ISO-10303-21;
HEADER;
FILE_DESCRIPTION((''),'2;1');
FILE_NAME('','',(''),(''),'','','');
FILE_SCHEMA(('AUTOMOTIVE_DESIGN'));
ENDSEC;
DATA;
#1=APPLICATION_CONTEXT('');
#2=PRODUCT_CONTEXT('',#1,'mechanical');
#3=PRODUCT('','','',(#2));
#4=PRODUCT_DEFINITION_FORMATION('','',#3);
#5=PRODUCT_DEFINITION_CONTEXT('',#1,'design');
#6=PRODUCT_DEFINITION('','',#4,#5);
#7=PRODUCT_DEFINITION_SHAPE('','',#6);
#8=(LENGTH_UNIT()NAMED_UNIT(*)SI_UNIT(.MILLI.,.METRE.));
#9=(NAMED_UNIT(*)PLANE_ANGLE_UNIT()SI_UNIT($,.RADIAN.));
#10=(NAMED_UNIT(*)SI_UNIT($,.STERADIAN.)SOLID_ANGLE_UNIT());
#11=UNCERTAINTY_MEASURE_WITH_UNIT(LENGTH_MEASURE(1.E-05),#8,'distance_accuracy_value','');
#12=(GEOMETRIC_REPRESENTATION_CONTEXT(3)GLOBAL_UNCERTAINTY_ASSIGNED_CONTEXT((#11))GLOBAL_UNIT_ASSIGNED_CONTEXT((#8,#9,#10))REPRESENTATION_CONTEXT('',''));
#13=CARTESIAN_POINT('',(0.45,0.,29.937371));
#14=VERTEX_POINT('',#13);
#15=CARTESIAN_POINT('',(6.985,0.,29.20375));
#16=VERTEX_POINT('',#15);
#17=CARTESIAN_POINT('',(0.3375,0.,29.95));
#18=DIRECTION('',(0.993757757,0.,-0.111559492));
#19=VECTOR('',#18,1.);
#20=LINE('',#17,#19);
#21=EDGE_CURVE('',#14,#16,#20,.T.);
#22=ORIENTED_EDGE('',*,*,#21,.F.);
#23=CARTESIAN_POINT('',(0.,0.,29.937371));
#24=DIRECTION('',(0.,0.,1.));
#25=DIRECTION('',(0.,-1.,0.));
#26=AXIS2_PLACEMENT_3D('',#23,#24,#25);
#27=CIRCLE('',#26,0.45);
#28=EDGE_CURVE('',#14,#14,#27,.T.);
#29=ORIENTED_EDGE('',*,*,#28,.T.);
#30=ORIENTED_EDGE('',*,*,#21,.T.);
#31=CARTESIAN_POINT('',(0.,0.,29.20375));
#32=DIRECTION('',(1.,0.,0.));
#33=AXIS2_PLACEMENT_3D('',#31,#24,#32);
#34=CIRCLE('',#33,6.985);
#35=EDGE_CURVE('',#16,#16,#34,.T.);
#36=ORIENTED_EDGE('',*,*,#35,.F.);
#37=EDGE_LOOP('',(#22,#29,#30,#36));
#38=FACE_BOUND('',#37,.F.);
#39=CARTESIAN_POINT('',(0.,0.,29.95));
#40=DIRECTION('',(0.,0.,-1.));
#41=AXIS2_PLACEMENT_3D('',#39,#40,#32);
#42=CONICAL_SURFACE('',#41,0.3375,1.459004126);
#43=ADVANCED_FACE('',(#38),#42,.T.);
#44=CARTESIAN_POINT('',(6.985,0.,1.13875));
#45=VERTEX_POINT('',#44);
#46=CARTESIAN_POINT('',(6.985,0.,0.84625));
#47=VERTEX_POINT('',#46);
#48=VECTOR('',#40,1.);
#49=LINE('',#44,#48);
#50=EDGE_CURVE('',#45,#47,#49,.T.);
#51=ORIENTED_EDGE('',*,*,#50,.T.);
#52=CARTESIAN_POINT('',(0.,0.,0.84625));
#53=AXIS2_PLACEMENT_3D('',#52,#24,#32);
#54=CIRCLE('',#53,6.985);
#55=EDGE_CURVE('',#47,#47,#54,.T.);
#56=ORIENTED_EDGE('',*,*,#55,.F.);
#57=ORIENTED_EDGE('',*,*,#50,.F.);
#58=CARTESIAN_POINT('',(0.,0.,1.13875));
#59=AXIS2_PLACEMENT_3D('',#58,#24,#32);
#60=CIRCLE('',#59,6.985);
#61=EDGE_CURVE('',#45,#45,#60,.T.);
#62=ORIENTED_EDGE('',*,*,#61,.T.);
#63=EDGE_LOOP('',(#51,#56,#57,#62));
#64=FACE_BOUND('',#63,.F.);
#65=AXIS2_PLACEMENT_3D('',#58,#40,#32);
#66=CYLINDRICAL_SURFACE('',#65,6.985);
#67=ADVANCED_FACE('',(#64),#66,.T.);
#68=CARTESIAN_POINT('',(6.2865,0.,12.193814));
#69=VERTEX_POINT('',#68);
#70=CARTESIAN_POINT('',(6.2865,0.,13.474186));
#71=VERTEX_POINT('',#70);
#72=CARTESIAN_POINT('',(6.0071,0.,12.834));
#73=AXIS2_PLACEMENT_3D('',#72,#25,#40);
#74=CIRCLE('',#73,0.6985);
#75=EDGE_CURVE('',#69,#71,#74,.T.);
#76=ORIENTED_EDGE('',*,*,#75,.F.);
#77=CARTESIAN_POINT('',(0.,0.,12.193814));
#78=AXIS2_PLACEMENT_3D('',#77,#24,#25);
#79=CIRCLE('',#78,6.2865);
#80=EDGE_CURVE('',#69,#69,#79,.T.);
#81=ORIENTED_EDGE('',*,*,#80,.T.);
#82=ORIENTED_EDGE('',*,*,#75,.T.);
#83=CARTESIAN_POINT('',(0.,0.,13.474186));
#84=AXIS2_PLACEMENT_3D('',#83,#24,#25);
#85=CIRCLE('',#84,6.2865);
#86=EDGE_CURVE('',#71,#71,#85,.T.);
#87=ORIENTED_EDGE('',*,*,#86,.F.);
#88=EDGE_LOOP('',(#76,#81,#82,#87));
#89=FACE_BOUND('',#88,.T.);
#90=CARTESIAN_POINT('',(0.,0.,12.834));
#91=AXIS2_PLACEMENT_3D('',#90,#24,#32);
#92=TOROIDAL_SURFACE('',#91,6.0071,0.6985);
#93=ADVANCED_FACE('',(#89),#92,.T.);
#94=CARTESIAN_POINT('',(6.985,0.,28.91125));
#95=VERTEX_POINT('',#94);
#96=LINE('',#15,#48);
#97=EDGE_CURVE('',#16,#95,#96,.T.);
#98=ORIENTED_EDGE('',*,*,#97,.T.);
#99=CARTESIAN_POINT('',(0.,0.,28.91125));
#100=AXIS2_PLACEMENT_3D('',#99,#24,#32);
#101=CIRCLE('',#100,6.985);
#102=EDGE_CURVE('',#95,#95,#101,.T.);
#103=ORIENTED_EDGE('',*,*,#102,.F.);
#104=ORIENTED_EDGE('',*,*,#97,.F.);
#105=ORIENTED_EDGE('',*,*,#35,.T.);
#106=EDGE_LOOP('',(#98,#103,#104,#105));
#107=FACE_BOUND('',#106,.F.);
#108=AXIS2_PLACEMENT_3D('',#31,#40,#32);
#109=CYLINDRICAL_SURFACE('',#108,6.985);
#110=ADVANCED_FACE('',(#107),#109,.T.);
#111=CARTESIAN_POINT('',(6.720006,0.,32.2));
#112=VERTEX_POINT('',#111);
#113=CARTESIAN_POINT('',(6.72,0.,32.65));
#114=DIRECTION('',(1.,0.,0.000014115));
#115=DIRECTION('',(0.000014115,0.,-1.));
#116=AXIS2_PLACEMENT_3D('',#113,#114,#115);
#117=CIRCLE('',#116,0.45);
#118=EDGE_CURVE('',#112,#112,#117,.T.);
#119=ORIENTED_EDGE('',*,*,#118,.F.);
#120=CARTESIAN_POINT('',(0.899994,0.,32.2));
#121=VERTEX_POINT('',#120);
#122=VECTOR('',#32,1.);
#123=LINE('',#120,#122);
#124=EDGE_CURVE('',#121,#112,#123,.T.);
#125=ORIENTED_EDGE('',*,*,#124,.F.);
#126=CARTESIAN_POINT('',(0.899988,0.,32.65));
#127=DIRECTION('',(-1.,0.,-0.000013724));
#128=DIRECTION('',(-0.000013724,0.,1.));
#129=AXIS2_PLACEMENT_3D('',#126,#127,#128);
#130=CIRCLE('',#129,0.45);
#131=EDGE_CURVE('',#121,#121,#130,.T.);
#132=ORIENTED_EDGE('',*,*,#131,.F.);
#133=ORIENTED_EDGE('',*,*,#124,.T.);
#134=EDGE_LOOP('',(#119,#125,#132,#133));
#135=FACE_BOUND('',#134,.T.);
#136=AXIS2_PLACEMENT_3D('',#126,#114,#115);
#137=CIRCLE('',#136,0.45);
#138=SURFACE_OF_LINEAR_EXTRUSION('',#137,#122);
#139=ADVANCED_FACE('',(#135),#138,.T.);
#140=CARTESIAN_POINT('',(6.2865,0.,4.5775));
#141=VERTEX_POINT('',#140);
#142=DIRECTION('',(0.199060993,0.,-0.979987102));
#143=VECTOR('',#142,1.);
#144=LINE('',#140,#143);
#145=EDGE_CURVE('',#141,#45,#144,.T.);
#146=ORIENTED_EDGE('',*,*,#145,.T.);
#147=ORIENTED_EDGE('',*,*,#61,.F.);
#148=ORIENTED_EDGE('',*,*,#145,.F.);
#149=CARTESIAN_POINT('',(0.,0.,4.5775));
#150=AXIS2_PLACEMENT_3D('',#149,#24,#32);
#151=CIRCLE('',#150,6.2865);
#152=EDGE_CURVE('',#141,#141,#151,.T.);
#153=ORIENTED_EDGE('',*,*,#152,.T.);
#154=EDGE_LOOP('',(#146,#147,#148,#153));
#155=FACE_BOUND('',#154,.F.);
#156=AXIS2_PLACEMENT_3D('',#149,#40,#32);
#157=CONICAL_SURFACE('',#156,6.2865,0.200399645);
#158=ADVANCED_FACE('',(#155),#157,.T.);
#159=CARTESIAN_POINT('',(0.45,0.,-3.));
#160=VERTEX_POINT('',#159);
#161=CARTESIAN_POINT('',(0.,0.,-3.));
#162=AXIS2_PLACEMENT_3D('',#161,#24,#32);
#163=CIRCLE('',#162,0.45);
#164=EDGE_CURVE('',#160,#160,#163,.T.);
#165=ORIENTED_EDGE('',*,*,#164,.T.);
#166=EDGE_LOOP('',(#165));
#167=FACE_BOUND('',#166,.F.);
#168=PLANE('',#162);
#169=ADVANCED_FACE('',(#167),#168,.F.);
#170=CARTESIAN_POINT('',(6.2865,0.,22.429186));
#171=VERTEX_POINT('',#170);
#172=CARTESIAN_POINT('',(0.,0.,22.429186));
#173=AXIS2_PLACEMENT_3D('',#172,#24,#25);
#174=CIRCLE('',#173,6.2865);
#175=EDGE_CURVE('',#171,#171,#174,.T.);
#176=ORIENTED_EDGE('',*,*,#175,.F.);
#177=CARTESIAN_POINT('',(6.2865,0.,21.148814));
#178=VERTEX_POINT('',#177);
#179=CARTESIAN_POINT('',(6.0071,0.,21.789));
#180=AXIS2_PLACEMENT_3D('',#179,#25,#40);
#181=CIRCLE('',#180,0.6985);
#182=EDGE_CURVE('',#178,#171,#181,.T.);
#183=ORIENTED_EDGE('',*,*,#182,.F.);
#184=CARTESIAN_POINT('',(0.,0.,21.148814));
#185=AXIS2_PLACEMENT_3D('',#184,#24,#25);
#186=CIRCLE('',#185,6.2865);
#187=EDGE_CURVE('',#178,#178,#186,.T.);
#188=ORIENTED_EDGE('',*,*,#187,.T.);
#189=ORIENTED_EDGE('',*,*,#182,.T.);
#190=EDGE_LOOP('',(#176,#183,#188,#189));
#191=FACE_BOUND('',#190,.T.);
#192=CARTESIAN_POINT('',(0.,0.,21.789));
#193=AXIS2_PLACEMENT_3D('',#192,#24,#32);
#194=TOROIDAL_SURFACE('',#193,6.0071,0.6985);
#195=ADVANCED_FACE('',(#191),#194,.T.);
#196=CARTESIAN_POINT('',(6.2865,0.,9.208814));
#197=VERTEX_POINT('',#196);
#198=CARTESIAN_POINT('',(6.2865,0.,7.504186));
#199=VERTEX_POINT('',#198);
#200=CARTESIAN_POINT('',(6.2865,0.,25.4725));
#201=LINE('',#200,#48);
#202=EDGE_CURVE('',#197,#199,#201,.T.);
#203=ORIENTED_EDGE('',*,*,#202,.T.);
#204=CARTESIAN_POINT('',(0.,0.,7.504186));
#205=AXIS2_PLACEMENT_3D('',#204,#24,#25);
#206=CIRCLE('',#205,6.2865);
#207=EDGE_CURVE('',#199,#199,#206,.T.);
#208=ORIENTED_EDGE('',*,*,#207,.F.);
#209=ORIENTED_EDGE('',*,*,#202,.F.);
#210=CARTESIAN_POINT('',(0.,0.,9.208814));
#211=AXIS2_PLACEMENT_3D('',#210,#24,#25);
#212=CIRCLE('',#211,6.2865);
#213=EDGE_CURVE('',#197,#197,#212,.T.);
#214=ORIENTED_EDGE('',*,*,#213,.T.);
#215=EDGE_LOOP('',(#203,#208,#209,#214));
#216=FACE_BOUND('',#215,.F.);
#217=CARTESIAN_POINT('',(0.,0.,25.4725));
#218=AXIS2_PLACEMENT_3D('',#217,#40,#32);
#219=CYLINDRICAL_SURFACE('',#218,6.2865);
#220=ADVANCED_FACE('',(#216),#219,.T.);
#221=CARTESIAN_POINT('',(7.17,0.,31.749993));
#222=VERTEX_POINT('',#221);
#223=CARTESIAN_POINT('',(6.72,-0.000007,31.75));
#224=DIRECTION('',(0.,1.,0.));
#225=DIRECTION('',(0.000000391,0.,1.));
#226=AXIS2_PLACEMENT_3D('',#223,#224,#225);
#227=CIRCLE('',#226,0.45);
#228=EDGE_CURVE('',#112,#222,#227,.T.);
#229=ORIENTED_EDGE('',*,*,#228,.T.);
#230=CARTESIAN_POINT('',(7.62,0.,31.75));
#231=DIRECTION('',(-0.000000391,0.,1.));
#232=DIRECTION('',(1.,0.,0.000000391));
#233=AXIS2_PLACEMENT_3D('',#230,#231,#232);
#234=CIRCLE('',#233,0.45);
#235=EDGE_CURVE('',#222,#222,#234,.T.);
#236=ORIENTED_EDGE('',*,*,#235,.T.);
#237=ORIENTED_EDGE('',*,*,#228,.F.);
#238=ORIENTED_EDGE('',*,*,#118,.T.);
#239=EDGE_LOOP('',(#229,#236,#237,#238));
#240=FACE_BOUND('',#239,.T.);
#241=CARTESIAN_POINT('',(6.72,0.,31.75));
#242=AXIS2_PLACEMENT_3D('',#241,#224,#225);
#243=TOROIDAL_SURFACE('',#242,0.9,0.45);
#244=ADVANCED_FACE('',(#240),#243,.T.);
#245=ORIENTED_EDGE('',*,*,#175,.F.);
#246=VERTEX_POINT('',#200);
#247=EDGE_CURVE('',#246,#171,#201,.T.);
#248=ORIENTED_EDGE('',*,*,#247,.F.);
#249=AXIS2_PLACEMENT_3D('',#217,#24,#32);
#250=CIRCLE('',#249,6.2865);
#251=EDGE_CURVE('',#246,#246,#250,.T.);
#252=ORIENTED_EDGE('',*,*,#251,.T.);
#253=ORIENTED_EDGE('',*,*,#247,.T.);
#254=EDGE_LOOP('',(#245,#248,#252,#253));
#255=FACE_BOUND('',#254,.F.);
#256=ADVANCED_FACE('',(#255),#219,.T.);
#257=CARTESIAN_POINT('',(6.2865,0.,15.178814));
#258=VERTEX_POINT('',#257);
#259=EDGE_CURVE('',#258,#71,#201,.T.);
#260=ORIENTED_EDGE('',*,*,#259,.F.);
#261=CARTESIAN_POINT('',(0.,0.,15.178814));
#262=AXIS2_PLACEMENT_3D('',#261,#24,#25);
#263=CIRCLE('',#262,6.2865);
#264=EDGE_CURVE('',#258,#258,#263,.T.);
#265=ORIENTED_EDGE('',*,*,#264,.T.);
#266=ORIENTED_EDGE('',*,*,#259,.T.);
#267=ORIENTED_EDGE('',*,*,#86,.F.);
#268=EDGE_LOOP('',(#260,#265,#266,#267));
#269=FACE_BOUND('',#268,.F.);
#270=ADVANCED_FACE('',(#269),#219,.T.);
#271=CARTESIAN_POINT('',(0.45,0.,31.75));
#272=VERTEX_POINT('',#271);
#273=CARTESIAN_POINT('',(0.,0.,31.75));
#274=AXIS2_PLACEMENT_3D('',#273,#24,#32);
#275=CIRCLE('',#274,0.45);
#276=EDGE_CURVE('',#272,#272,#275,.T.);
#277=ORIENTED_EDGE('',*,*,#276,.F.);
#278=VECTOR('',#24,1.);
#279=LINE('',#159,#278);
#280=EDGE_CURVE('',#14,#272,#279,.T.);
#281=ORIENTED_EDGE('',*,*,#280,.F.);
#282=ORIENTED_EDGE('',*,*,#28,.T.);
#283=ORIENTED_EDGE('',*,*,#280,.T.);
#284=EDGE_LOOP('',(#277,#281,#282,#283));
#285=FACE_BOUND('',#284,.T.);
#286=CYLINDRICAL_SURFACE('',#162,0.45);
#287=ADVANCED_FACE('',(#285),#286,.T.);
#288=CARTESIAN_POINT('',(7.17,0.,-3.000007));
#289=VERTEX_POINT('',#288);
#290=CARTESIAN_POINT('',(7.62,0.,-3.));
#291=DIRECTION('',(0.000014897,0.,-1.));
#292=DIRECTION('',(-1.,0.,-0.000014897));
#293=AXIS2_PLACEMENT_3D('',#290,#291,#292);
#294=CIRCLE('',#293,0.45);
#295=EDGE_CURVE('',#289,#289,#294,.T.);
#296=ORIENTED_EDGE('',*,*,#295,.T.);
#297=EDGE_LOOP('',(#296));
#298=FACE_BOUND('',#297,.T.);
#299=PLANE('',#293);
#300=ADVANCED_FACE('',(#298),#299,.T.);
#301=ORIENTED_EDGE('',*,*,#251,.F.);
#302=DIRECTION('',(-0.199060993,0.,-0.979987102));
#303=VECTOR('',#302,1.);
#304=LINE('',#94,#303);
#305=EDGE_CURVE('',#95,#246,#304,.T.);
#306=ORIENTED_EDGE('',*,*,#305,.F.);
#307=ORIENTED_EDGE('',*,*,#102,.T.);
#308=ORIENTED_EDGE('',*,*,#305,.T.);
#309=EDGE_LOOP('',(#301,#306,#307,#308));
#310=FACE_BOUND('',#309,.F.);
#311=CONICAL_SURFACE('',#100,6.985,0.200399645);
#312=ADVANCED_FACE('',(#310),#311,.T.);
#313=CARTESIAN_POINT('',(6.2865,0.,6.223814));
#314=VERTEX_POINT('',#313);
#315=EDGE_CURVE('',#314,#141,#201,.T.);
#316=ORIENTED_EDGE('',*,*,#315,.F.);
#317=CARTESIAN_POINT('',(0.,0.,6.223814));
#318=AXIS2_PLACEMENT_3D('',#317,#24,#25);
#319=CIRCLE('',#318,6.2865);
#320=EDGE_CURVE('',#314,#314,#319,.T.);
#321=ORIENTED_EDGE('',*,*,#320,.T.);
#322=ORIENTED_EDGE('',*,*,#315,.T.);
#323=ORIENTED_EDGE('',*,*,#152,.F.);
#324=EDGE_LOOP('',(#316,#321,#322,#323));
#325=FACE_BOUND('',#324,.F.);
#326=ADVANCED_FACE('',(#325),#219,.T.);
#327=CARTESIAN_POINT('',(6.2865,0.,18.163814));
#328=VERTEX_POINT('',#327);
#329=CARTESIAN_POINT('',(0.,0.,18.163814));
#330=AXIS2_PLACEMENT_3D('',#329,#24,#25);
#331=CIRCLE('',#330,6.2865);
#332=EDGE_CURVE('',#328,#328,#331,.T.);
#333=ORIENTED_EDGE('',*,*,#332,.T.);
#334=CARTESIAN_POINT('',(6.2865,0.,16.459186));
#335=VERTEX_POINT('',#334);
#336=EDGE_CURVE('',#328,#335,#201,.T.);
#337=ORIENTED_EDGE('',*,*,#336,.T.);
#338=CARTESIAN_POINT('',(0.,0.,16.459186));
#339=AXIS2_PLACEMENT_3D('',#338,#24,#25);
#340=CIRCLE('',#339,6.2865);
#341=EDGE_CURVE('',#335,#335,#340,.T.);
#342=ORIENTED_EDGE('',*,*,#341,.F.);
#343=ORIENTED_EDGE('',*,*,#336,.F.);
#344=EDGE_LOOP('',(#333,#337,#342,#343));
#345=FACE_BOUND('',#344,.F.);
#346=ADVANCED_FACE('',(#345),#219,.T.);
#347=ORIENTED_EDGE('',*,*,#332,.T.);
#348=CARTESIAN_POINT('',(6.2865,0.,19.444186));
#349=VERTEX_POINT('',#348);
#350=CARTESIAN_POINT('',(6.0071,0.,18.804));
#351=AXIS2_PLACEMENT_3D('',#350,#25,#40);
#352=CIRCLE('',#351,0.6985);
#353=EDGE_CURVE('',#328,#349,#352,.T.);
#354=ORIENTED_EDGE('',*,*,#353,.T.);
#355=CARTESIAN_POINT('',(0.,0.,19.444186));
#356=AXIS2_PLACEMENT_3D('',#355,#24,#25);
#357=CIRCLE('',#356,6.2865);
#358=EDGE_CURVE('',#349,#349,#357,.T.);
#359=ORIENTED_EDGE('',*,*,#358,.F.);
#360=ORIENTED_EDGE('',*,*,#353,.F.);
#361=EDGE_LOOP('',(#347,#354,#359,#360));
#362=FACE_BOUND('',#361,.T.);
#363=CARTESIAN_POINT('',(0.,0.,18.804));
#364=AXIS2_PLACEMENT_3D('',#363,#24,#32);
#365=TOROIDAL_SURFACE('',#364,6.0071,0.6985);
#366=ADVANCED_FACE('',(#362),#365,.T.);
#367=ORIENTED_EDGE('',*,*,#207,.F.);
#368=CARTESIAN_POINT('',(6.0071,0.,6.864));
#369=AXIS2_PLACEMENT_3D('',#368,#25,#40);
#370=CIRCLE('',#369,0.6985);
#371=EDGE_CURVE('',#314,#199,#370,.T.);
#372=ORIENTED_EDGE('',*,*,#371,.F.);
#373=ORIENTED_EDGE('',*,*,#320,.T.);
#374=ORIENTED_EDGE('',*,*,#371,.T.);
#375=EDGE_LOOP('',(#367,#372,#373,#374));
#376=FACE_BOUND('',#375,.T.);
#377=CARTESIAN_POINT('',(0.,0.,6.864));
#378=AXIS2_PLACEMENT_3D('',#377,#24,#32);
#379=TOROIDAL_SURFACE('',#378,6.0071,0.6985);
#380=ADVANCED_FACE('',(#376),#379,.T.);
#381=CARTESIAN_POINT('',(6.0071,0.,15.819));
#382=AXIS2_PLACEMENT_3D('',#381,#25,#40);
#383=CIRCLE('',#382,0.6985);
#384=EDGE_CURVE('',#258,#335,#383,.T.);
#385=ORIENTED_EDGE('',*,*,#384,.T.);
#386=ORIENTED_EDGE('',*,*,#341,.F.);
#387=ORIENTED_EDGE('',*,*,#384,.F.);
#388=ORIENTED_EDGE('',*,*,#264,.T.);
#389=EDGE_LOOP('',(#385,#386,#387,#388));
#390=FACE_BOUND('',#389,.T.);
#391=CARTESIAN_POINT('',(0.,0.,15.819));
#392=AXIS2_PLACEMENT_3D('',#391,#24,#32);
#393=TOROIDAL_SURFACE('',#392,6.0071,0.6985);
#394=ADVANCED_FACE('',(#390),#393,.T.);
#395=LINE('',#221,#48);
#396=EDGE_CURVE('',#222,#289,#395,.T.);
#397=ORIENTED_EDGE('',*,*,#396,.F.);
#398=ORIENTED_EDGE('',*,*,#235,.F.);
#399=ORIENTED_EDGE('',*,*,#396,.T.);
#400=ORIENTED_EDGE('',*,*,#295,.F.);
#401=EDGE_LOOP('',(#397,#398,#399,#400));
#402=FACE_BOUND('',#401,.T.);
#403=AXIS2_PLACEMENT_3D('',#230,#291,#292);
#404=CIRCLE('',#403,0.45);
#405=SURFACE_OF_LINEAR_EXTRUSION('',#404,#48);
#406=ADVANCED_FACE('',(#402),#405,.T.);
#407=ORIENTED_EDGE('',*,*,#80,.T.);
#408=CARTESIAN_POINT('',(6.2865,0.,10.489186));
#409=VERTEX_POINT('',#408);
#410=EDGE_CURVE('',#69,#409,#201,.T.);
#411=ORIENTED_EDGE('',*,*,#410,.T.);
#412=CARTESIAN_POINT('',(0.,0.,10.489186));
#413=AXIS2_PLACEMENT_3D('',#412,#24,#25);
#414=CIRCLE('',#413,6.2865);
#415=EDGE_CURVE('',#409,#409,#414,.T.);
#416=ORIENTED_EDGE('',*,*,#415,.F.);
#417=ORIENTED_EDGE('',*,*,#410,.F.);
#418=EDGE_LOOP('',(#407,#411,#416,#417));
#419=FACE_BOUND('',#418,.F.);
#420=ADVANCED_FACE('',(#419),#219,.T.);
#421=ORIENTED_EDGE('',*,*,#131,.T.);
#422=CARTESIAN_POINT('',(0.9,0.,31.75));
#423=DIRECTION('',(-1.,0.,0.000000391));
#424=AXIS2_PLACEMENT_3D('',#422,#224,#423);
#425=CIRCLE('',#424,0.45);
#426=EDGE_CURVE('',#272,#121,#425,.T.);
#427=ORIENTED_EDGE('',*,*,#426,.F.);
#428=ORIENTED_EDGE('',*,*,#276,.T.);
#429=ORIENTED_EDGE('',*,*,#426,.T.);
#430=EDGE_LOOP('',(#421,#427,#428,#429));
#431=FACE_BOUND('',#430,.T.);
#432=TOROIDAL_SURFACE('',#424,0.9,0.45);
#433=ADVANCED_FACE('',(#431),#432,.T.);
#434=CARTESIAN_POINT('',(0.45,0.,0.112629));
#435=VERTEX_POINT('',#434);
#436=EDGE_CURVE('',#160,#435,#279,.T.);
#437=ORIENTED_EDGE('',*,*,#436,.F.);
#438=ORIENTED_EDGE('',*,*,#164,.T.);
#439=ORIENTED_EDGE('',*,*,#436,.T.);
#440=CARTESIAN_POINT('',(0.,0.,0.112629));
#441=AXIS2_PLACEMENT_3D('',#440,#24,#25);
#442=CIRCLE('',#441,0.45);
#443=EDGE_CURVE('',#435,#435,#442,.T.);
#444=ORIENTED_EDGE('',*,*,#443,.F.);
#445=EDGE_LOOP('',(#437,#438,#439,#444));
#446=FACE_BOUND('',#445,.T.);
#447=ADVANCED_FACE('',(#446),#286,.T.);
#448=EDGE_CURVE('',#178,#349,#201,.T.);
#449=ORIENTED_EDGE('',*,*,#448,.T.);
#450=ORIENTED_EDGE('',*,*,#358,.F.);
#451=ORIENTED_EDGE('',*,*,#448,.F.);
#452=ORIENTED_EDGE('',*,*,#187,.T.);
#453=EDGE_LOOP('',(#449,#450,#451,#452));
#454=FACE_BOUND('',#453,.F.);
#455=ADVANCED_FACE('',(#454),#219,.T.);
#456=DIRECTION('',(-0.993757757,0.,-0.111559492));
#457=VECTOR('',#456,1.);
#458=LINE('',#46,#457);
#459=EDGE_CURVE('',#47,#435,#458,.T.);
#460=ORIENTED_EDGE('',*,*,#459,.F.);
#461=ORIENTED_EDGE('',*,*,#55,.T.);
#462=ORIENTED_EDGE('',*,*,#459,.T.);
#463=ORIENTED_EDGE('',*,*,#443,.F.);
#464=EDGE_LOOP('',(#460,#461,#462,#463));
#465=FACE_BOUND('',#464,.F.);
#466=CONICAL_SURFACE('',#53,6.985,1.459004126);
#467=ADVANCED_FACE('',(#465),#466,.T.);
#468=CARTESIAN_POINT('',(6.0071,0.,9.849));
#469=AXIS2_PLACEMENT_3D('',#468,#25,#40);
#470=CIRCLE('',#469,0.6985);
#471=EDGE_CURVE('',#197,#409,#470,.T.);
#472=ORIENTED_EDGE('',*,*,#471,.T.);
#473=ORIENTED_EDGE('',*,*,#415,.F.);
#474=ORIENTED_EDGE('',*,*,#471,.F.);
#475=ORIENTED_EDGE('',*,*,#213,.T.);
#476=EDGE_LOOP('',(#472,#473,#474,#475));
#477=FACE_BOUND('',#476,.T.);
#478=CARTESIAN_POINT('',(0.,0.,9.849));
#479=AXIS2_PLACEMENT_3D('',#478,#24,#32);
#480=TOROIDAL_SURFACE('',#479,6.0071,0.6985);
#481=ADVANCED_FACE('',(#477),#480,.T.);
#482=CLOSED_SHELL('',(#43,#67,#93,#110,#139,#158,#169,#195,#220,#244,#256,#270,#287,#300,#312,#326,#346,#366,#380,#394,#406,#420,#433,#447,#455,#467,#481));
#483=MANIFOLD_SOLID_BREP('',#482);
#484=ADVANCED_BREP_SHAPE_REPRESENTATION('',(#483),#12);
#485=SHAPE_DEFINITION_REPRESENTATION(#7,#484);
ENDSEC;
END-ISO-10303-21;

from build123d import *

# Parameters (mm, degrees)
SKETCH_R = 0.45


with BuildPart() as revolution:
    # Sketch002 → Revolution (revolve)
    with BuildSketch(Plane.XZ):
        Polygon((0, 0.1), (0, 29.95), (0.3375, 29.95), (6.985, 29.20375), (6.985, 28.91125), (6.2865, 25.4725), (6.2865, 4.5775), (6.985, 1.13875), (6.985, 0.84625), (0.3375, 0.1), align=None)
    revolve(axis=Axis((0, 0, 0), (0, 0, 1)))


with BuildPart() as sweep_body:
    # Sweep: sweep along a path in Sketch001
    with BuildLine(Plane.XZ) as sweep_path:
        Line((0, -3), (0, 31.75))
        ThreePointArc((0, 31.75), (0.2636, 32.386392), (0.899988, 32.65))
        Line((0.899988, 32.65), (6.72, 32.65))
        ThreePointArc((6.72, 32.65), (7.356396, 32.386396), (7.62, 31.75))
        Line((7.62, 31.75), (7.62, -3))
    # Sketch → Sweep (sweep)
    with BuildSketch(Plane.XY.offset(-2)):
        Circle(SKETCH_R)
    sweep(path=sweep_path.line)


with BuildPart() as revolution001_mp_cp:
    # Sketch003 → Revolution001 (revolve)
    with BuildSketch(Plane.XZ):
        with BuildLine():
            Line((5.588, 24.0755), (5.588, 4.5775))
            Line((5.588, 4.5775), (6.0071, 4.5775))
            Line((6.0071, 4.5775), (6.0071, 6.1655))
            ThreePointArc((6.0071, 6.1655), (6.7056, 6.864), (6.0071, 7.5625))
            Line((6.0071, 7.5625), (6.0071, 9.1505))
            ThreePointArc((6.0071, 9.1505), (6.7056, 9.849), (6.0071, 10.5475))
            Line((6.0071, 10.5475), (6.0071, 12.1355))
            ThreePointArc((6.0071, 12.1355), (6.7056, 12.834), (6.0071, 13.5325))
            Line((6.0071, 13.5325), (6.0071, 15.1205))
            ThreePointArc((6.0071, 15.1205), (6.7056, 15.819), (6.0071, 16.5175))
            Line((6.0071, 16.5175), (6.0071, 18.1055))
            ThreePointArc((6.0071, 18.1055), (6.7056, 18.804), (6.0071, 19.5025))
            Line((6.0071, 19.5025), (6.0071, 21.0905))
            ThreePointArc((6.0071, 21.0905), (6.7056, 21.789), (6.0071, 22.4875))
            Line((6.0071, 24.0755), (6.0071, 22.4875))
            Line((5.588, 24.0755), (6.0071, 24.0755))
        make_face()
    revolve(axis=Axis((0, 0, 0), (0, 0, 1)))

    # Revolution001_mp_cp: union Revolution, Sweep body
    add(revolution.part)
    add(sweep_body.part)


solid = revolution001_mp_cp.part
